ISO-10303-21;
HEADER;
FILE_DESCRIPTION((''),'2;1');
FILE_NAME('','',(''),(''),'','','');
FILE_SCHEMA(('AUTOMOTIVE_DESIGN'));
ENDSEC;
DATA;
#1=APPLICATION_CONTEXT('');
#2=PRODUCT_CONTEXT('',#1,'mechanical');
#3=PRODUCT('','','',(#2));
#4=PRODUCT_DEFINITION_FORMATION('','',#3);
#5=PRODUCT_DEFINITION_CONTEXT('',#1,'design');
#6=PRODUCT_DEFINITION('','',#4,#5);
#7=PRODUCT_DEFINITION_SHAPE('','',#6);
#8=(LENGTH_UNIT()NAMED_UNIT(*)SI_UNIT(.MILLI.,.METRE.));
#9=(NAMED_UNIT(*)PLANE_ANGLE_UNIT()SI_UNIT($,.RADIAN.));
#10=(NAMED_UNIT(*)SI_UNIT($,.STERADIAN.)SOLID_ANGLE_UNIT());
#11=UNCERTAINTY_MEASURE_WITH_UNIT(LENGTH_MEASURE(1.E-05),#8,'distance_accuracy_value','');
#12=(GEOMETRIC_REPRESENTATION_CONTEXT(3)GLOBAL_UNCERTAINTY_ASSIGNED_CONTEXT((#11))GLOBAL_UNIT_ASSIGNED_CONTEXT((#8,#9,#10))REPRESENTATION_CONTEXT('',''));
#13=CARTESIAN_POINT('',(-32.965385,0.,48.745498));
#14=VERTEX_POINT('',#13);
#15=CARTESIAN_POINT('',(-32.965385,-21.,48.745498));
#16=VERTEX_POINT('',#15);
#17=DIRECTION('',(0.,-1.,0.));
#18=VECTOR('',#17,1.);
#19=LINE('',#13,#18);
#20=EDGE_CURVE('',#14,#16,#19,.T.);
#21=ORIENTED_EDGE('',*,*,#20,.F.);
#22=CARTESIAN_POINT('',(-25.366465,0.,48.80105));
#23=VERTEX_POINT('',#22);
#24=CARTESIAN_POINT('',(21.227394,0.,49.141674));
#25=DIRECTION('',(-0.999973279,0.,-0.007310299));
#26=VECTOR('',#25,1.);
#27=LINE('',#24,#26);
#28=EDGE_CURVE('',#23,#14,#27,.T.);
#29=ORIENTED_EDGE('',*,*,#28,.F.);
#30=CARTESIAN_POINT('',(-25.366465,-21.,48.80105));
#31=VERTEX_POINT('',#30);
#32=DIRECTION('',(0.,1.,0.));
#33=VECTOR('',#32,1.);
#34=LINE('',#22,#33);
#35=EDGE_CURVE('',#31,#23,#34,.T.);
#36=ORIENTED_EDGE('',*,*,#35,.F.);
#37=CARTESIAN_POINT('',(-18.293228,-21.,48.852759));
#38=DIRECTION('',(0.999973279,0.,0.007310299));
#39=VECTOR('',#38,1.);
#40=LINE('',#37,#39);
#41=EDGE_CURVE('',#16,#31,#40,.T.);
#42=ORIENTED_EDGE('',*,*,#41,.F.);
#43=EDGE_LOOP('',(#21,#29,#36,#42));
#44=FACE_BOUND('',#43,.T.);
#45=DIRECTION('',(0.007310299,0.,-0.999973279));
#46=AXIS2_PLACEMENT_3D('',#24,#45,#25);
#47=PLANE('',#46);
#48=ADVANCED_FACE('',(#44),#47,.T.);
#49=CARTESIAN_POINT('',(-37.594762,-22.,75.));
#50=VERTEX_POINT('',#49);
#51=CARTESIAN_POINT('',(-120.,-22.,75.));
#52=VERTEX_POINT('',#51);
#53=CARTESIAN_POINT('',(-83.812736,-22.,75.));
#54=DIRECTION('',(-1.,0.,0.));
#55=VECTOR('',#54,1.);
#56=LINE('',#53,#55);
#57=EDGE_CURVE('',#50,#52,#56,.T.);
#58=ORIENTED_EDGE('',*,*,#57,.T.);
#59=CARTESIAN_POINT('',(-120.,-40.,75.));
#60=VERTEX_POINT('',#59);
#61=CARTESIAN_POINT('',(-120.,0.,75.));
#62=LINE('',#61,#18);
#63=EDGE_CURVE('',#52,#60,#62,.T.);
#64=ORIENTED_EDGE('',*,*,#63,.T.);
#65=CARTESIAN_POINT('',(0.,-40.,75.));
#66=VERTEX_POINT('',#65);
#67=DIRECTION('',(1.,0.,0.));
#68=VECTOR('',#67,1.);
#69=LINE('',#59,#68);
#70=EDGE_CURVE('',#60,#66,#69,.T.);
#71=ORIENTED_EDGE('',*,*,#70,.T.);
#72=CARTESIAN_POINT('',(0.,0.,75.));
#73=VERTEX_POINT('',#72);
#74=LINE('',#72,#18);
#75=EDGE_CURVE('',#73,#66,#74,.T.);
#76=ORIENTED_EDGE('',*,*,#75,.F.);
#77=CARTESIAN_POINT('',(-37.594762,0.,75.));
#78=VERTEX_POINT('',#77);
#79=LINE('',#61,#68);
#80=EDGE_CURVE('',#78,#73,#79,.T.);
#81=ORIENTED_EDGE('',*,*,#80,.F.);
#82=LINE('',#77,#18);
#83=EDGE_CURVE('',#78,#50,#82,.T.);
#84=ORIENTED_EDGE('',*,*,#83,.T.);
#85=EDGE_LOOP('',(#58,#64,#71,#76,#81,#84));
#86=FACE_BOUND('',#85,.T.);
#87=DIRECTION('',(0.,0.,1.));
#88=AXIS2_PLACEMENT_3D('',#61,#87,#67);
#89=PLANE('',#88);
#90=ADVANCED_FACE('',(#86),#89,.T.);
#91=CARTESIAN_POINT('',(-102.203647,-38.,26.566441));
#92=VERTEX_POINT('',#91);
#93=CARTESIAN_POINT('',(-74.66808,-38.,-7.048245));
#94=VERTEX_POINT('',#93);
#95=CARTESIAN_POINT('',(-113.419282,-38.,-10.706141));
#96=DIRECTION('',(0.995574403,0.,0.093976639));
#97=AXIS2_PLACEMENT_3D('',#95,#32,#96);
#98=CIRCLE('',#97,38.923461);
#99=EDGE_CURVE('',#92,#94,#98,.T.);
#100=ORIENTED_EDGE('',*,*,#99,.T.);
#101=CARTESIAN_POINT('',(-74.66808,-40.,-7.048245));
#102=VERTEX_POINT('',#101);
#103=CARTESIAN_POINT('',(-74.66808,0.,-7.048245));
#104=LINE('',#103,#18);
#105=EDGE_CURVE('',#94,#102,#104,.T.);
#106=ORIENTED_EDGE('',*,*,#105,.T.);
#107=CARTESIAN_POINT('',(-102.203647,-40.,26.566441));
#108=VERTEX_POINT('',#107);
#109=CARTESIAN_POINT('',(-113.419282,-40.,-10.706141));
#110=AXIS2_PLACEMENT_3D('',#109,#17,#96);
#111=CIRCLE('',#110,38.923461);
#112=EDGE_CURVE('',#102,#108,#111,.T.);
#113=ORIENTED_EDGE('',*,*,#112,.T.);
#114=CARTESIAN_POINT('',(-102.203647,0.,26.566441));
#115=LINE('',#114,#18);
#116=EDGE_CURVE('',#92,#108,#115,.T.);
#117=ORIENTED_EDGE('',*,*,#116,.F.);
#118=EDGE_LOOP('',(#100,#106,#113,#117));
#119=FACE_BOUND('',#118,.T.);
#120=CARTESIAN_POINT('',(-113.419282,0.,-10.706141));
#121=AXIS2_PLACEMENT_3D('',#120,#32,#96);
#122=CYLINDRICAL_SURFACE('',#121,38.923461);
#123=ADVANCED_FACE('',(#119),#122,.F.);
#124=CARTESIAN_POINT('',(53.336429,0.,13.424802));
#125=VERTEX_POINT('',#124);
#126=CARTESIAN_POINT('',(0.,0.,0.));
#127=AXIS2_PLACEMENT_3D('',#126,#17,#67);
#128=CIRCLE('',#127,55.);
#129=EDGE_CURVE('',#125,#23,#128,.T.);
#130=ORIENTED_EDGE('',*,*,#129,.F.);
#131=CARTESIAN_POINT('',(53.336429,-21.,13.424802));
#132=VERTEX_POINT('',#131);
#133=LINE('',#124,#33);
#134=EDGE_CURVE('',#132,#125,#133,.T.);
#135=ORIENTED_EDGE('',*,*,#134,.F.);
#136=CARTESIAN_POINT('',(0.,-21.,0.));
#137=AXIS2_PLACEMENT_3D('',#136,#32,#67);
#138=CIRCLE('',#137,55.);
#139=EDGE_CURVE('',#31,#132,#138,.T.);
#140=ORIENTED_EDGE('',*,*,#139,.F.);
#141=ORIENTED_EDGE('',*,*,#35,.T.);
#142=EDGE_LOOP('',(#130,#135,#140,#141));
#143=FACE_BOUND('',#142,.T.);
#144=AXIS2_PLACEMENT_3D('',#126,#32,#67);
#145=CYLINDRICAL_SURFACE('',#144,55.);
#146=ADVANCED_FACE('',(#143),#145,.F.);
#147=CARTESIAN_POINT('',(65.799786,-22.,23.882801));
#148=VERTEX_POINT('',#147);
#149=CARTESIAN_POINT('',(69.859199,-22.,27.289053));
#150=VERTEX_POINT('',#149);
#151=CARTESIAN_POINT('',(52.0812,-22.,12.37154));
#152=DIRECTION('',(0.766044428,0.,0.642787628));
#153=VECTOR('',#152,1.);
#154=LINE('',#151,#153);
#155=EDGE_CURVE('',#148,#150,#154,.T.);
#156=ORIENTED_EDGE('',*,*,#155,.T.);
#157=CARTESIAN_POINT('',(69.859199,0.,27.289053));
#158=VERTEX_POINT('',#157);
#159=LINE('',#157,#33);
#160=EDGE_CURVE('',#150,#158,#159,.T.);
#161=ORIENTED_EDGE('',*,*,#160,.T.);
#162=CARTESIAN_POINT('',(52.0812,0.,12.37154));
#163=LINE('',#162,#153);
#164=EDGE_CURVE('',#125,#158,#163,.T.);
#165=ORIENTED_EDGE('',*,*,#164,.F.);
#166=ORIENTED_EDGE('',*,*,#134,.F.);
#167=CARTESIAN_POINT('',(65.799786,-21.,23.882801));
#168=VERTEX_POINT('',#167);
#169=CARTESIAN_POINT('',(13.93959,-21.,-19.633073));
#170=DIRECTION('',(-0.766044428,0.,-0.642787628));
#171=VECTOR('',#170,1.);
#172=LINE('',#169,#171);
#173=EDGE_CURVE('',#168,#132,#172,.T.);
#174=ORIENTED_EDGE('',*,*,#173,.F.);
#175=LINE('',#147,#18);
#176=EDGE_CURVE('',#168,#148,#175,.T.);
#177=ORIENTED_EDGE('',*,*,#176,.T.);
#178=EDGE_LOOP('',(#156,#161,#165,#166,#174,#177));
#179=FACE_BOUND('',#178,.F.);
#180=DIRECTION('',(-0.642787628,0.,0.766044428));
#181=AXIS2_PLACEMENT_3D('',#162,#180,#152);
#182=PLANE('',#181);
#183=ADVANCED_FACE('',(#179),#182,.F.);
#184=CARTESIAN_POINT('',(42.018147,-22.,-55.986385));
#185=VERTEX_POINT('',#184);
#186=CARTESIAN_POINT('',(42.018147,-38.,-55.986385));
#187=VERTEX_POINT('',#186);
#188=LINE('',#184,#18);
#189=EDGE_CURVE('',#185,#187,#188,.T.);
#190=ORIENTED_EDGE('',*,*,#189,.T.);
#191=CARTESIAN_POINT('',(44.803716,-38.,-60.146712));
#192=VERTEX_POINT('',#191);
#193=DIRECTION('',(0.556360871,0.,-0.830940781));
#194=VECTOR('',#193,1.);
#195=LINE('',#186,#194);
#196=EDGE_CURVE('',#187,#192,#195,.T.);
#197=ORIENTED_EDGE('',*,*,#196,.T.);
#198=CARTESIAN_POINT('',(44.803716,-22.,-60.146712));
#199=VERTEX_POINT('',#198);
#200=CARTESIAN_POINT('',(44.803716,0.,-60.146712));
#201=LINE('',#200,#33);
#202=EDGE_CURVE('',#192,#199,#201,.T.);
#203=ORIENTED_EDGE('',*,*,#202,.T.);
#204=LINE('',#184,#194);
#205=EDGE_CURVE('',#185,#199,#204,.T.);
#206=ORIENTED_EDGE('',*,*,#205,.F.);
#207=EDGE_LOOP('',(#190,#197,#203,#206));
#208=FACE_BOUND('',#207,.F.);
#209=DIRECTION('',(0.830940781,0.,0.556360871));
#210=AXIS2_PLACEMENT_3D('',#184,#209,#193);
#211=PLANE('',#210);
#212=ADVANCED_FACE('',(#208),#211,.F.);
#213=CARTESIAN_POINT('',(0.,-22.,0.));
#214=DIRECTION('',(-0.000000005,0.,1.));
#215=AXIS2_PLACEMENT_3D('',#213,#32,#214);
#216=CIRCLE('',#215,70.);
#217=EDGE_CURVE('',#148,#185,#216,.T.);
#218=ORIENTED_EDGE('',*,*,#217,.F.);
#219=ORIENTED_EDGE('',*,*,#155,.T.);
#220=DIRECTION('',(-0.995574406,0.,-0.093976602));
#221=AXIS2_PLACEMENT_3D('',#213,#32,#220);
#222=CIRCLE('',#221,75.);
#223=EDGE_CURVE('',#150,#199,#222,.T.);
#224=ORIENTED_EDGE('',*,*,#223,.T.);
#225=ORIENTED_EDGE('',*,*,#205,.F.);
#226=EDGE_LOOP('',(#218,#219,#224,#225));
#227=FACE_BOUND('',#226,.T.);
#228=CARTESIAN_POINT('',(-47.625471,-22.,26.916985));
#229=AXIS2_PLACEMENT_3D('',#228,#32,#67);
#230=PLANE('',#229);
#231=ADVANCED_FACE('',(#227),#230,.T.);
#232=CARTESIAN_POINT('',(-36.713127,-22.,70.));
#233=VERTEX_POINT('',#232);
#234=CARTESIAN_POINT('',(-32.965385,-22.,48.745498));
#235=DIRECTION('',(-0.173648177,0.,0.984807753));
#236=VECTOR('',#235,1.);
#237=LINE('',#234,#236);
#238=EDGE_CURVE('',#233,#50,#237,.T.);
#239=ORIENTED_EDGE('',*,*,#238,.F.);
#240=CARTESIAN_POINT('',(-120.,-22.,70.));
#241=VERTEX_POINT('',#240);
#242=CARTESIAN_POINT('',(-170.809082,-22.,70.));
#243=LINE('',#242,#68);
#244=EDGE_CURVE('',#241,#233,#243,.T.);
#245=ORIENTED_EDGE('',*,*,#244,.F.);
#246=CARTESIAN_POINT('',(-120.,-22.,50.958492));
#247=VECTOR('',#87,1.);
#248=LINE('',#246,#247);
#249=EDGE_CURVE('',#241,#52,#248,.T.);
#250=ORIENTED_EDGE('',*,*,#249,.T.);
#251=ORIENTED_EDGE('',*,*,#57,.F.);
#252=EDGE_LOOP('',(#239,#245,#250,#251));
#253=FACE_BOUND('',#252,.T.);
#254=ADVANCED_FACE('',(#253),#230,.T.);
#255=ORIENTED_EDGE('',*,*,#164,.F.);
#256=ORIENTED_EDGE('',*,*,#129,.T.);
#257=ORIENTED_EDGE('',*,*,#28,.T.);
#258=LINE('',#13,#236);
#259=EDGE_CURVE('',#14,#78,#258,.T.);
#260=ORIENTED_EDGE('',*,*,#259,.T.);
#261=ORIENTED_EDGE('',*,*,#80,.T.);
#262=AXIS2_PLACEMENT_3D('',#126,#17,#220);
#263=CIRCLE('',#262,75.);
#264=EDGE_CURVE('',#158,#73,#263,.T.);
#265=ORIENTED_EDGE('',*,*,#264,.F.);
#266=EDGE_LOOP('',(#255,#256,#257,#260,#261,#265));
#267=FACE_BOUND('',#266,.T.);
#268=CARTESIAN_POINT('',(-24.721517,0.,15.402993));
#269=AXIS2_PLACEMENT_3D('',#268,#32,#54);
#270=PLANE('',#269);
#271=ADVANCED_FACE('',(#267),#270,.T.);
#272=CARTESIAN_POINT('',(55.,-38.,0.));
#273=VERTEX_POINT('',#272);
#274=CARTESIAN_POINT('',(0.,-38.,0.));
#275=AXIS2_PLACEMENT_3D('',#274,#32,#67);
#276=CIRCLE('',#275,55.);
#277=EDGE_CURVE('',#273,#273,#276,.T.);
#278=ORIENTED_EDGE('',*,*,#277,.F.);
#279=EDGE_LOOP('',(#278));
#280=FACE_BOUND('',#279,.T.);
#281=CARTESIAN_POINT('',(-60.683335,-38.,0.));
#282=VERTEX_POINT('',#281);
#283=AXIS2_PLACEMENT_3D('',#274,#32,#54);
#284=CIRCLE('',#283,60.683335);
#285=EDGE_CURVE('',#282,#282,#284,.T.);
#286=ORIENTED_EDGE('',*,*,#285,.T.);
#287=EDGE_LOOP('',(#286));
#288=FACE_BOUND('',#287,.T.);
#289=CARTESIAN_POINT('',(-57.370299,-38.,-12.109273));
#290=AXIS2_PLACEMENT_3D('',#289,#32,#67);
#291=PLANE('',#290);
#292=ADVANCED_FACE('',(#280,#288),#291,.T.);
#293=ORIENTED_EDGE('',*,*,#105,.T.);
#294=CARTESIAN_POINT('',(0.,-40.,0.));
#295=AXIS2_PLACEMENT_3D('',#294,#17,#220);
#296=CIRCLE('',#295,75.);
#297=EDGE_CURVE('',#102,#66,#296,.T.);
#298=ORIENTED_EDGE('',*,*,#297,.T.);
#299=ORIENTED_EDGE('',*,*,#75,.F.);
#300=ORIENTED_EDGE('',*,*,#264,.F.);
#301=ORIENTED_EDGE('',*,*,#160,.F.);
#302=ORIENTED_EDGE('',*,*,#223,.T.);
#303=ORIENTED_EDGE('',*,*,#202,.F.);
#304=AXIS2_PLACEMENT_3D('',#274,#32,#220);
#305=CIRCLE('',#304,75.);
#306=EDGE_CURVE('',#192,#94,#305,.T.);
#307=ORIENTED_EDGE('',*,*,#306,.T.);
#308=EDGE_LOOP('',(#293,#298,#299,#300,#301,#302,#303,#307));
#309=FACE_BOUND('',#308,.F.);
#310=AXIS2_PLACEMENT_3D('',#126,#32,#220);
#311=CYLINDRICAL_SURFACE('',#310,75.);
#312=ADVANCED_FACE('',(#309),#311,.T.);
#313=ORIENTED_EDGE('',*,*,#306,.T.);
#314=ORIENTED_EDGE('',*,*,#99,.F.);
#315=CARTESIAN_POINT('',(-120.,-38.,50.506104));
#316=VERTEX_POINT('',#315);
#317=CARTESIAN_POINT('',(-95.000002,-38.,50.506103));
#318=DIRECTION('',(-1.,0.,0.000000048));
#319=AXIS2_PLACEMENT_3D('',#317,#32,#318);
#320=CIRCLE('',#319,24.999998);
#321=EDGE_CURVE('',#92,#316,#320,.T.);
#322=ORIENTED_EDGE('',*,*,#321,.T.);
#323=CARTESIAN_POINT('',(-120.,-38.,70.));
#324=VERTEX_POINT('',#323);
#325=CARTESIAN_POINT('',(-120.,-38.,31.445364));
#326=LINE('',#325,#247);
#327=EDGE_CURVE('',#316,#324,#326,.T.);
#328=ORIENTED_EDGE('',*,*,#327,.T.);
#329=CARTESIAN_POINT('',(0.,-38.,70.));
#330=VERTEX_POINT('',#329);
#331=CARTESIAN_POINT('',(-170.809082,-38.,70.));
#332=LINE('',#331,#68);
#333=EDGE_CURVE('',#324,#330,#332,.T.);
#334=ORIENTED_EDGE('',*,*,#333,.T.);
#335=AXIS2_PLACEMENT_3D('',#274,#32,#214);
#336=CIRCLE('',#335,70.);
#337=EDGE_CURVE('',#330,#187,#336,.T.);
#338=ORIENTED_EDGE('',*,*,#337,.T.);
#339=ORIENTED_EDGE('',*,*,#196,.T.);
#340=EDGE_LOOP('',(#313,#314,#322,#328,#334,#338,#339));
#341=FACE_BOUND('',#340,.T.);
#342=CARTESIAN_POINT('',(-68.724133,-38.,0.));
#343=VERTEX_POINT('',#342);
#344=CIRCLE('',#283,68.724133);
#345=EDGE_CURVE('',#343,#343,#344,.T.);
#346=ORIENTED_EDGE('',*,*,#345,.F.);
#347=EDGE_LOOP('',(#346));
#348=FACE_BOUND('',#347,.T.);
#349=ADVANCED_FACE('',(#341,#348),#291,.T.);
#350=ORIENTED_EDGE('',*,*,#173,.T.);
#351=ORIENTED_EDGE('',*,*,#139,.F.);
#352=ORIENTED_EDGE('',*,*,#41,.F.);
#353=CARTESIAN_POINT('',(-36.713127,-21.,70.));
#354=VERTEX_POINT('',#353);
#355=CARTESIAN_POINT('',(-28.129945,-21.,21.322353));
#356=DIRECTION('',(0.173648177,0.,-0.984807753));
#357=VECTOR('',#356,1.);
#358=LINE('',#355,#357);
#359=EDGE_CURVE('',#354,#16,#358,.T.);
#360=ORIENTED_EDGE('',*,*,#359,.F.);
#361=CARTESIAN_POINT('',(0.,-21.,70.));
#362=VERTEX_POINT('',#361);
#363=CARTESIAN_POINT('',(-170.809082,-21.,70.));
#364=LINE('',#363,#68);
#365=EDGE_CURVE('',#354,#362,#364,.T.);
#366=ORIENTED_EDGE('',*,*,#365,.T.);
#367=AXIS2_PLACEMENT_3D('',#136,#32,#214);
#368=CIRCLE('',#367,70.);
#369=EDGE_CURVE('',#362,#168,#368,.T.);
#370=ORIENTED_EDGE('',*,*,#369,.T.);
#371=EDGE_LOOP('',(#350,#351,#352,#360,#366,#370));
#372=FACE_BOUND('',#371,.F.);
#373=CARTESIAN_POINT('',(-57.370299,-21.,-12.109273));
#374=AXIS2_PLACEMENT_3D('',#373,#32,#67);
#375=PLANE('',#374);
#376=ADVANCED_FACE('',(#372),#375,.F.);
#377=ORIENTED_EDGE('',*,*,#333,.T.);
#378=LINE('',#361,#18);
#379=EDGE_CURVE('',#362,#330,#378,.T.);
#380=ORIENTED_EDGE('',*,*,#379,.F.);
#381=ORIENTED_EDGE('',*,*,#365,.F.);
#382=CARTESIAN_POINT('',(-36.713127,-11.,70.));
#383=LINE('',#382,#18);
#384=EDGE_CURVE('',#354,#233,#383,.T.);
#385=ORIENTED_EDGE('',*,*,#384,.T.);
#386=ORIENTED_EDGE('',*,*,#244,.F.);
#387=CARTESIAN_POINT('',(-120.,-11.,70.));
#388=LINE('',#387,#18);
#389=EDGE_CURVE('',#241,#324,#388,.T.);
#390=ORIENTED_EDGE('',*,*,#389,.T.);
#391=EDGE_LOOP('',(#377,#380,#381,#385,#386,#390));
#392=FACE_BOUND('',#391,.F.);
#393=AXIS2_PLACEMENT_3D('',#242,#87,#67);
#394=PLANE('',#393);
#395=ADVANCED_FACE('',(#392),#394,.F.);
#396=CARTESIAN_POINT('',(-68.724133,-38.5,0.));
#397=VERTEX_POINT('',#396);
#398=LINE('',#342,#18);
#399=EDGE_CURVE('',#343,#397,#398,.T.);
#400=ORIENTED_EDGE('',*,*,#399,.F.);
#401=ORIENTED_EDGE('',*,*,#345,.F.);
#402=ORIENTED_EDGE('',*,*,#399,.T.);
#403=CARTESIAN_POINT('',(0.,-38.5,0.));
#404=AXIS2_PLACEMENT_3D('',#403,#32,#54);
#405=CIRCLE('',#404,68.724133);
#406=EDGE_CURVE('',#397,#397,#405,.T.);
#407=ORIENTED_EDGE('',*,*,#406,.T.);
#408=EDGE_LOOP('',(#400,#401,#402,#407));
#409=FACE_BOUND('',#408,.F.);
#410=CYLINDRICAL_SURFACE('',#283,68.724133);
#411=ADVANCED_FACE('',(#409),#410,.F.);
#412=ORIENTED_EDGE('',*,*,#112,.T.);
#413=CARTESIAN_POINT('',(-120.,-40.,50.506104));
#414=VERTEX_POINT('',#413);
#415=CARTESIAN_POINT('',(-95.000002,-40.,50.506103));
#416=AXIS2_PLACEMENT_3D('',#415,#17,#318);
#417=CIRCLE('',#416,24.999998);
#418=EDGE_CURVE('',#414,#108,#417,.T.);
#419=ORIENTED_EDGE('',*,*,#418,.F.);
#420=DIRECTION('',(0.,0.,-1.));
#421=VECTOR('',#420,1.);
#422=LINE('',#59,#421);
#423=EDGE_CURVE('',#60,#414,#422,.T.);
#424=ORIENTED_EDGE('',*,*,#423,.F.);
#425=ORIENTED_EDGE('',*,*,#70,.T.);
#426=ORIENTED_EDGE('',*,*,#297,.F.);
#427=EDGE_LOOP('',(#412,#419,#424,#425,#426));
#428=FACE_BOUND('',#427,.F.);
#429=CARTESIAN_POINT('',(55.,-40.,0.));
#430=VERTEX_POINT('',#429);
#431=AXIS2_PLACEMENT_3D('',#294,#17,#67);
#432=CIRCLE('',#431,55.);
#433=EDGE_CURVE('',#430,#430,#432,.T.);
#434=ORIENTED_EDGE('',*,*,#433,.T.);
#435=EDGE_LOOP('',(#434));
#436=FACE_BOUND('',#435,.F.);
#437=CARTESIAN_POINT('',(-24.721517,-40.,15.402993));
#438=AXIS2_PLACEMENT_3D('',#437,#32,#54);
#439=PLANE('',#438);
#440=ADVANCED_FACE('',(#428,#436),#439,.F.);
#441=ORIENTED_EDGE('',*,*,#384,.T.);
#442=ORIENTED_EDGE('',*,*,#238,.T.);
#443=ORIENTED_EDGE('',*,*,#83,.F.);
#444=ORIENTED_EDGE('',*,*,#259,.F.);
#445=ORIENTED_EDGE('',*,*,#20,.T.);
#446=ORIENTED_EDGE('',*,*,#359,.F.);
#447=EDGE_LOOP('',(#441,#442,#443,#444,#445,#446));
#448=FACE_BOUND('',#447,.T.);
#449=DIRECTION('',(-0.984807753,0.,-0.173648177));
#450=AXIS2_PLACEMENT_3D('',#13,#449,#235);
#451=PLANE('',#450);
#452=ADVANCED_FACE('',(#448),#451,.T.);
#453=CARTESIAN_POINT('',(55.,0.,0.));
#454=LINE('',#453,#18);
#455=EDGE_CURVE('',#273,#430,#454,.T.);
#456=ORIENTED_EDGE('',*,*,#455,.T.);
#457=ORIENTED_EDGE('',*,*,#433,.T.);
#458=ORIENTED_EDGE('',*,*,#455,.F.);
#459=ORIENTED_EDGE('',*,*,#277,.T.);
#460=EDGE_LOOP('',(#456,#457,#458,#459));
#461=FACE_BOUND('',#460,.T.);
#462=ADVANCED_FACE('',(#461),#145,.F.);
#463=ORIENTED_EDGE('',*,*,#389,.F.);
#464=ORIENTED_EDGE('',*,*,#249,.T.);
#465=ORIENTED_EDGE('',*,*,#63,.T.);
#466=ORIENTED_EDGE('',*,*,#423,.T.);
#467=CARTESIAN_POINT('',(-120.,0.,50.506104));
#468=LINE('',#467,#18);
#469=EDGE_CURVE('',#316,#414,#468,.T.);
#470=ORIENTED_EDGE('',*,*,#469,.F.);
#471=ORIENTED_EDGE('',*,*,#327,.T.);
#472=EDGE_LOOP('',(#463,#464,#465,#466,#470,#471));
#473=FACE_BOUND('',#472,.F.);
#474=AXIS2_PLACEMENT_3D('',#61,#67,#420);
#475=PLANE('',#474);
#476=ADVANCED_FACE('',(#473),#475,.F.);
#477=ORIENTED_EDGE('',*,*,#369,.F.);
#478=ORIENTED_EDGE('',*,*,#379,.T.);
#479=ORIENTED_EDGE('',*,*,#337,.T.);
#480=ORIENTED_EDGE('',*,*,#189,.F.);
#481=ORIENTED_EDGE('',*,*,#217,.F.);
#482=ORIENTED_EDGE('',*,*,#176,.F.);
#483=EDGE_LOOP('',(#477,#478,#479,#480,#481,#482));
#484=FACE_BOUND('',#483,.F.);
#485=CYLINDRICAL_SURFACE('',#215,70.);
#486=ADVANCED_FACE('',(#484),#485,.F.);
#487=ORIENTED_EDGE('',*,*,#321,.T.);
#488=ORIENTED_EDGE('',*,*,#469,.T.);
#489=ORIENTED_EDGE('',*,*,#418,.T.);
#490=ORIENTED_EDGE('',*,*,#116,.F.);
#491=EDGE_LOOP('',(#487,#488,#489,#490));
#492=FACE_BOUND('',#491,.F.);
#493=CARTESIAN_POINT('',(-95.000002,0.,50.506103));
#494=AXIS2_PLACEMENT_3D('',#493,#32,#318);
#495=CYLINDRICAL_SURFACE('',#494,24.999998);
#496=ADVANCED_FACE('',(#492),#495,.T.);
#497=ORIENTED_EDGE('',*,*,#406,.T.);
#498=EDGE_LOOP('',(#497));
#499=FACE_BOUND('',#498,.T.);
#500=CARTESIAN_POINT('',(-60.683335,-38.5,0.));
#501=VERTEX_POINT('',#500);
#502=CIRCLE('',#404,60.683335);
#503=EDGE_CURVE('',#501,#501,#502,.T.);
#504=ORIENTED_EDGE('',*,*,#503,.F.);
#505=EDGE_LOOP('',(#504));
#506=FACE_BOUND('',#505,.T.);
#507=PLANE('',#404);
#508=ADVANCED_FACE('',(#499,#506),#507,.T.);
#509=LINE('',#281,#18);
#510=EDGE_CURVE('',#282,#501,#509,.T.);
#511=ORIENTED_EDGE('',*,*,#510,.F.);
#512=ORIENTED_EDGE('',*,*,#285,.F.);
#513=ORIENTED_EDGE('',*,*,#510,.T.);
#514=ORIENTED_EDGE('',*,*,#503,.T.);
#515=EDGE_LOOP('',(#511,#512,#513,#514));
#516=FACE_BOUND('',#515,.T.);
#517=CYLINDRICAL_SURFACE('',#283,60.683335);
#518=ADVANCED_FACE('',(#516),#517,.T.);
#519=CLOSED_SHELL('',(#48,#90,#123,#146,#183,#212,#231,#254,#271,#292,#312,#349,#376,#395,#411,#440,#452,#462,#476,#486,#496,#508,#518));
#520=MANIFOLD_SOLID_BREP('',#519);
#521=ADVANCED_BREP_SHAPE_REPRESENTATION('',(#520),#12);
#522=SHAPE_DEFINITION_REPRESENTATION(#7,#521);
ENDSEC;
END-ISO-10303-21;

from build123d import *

# Parameters (mm, degrees)
SKETCH_R             = 55
PAD_DEPTH            = 40
POCKET_DEPTH         = 22
POCKET001_DEPTH      = 16
POCKET001_DEPTH_BACK = 1
SKETCH004_R          = 68.724133
SKETCH004_R_2        = 60.683335
POCKET002_DEPTH      = 0.5


with BuildPart() as part:
    # Sketch → Pad (new body)
    with BuildSketch(Plane.XZ):
        with BuildLine():
            Line((-120, 75), (0, 75))
            ThreePointArc((-74.66808, -7.048245), (55.468993, -50.479608), (0, 75))
            ThreePointArc((-74.66808, -7.048245), (-83.30852, 13.959176), (-102.203647, 26.566441))
            ThreePointArc((-120, 50.506104), (-115.063539, 35.591198), (-102.203647, 26.566441))
            Line((-120, 75), (-120, 50.506104))
        make_face()
        Circle(SKETCH_R, mode=Mode.SUBTRACT)
    extrude(amount=PAD_DEPTH)

    # Sketch001 (on Face7 of Pad) → Pocket (cut)
    with BuildSketch(Plane(origin=(0, 0, 0), x_dir=(1, 0, 0), z_dir=(0, 1, 0))):
        with BuildLine():
            Line((52.0812, -12.37154), (85.552437, -40.457244))
            ThreePointArc((85.552437, -40.457244), (20.73224, 92.337329), (-94.636188, 0))
            Line((-211.758942, -108.831918), (-94.636188, 0))
            Line((-43.560242, -108.831918), (-211.758942, -108.831918))
            Line((-32.965385, -48.745498), (-43.560242, -108.831918))
            Line((21.227394, -49.141674), (-32.965385, -48.745498))
            Line((52.0812, -12.37154), (21.227394, -49.141674))
        make_face()
    extrude(amount=-POCKET_DEPTH, mode=Mode.SUBTRACT)

    # Sketch003 (on Face2 of Pocket) → Pocket001 (cut, two sides)
    with BuildSketch(Plane(origin=(0, -22, 0), x_dir=(1, 0, 0), z_dir=(0, 1, 0))) as pocket001_sk:
        with BuildLine():
            ThreePointArc((0, -70), (66.404243, -22.146705), (42.018147, 55.986385))
            Line((42.018147, 55.986385), (62.226624, 86.16832))
            Line((62.226624, 86.16832), (-170.809082, 86.16832))
            Line((-170.809082, 86.16832), (-170.809082, -70))
            Line((-170.809082, -70), (0, -70))
        make_face()
    extrude(amount=-POCKET001_DEPTH, mode=Mode.SUBTRACT)
    extrude(pocket001_sk.sketch, amount=POCKET001_DEPTH_BACK, mode=Mode.SUBTRACT)

    # Sketch004 → Pocket002 (cut)
    with BuildSketch(Plane(origin=(0, -38, 0), x_dir=(-1, 0, 0), z_dir=(0, 1, 0))):
        Circle(SKETCH004_R)
        Circle(SKETCH004_R_2, mode=Mode.SUBTRACT)
    extrude(amount=-POCKET002_DEPTH, mode=Mode.SUBTRACT)


solid = part.part
